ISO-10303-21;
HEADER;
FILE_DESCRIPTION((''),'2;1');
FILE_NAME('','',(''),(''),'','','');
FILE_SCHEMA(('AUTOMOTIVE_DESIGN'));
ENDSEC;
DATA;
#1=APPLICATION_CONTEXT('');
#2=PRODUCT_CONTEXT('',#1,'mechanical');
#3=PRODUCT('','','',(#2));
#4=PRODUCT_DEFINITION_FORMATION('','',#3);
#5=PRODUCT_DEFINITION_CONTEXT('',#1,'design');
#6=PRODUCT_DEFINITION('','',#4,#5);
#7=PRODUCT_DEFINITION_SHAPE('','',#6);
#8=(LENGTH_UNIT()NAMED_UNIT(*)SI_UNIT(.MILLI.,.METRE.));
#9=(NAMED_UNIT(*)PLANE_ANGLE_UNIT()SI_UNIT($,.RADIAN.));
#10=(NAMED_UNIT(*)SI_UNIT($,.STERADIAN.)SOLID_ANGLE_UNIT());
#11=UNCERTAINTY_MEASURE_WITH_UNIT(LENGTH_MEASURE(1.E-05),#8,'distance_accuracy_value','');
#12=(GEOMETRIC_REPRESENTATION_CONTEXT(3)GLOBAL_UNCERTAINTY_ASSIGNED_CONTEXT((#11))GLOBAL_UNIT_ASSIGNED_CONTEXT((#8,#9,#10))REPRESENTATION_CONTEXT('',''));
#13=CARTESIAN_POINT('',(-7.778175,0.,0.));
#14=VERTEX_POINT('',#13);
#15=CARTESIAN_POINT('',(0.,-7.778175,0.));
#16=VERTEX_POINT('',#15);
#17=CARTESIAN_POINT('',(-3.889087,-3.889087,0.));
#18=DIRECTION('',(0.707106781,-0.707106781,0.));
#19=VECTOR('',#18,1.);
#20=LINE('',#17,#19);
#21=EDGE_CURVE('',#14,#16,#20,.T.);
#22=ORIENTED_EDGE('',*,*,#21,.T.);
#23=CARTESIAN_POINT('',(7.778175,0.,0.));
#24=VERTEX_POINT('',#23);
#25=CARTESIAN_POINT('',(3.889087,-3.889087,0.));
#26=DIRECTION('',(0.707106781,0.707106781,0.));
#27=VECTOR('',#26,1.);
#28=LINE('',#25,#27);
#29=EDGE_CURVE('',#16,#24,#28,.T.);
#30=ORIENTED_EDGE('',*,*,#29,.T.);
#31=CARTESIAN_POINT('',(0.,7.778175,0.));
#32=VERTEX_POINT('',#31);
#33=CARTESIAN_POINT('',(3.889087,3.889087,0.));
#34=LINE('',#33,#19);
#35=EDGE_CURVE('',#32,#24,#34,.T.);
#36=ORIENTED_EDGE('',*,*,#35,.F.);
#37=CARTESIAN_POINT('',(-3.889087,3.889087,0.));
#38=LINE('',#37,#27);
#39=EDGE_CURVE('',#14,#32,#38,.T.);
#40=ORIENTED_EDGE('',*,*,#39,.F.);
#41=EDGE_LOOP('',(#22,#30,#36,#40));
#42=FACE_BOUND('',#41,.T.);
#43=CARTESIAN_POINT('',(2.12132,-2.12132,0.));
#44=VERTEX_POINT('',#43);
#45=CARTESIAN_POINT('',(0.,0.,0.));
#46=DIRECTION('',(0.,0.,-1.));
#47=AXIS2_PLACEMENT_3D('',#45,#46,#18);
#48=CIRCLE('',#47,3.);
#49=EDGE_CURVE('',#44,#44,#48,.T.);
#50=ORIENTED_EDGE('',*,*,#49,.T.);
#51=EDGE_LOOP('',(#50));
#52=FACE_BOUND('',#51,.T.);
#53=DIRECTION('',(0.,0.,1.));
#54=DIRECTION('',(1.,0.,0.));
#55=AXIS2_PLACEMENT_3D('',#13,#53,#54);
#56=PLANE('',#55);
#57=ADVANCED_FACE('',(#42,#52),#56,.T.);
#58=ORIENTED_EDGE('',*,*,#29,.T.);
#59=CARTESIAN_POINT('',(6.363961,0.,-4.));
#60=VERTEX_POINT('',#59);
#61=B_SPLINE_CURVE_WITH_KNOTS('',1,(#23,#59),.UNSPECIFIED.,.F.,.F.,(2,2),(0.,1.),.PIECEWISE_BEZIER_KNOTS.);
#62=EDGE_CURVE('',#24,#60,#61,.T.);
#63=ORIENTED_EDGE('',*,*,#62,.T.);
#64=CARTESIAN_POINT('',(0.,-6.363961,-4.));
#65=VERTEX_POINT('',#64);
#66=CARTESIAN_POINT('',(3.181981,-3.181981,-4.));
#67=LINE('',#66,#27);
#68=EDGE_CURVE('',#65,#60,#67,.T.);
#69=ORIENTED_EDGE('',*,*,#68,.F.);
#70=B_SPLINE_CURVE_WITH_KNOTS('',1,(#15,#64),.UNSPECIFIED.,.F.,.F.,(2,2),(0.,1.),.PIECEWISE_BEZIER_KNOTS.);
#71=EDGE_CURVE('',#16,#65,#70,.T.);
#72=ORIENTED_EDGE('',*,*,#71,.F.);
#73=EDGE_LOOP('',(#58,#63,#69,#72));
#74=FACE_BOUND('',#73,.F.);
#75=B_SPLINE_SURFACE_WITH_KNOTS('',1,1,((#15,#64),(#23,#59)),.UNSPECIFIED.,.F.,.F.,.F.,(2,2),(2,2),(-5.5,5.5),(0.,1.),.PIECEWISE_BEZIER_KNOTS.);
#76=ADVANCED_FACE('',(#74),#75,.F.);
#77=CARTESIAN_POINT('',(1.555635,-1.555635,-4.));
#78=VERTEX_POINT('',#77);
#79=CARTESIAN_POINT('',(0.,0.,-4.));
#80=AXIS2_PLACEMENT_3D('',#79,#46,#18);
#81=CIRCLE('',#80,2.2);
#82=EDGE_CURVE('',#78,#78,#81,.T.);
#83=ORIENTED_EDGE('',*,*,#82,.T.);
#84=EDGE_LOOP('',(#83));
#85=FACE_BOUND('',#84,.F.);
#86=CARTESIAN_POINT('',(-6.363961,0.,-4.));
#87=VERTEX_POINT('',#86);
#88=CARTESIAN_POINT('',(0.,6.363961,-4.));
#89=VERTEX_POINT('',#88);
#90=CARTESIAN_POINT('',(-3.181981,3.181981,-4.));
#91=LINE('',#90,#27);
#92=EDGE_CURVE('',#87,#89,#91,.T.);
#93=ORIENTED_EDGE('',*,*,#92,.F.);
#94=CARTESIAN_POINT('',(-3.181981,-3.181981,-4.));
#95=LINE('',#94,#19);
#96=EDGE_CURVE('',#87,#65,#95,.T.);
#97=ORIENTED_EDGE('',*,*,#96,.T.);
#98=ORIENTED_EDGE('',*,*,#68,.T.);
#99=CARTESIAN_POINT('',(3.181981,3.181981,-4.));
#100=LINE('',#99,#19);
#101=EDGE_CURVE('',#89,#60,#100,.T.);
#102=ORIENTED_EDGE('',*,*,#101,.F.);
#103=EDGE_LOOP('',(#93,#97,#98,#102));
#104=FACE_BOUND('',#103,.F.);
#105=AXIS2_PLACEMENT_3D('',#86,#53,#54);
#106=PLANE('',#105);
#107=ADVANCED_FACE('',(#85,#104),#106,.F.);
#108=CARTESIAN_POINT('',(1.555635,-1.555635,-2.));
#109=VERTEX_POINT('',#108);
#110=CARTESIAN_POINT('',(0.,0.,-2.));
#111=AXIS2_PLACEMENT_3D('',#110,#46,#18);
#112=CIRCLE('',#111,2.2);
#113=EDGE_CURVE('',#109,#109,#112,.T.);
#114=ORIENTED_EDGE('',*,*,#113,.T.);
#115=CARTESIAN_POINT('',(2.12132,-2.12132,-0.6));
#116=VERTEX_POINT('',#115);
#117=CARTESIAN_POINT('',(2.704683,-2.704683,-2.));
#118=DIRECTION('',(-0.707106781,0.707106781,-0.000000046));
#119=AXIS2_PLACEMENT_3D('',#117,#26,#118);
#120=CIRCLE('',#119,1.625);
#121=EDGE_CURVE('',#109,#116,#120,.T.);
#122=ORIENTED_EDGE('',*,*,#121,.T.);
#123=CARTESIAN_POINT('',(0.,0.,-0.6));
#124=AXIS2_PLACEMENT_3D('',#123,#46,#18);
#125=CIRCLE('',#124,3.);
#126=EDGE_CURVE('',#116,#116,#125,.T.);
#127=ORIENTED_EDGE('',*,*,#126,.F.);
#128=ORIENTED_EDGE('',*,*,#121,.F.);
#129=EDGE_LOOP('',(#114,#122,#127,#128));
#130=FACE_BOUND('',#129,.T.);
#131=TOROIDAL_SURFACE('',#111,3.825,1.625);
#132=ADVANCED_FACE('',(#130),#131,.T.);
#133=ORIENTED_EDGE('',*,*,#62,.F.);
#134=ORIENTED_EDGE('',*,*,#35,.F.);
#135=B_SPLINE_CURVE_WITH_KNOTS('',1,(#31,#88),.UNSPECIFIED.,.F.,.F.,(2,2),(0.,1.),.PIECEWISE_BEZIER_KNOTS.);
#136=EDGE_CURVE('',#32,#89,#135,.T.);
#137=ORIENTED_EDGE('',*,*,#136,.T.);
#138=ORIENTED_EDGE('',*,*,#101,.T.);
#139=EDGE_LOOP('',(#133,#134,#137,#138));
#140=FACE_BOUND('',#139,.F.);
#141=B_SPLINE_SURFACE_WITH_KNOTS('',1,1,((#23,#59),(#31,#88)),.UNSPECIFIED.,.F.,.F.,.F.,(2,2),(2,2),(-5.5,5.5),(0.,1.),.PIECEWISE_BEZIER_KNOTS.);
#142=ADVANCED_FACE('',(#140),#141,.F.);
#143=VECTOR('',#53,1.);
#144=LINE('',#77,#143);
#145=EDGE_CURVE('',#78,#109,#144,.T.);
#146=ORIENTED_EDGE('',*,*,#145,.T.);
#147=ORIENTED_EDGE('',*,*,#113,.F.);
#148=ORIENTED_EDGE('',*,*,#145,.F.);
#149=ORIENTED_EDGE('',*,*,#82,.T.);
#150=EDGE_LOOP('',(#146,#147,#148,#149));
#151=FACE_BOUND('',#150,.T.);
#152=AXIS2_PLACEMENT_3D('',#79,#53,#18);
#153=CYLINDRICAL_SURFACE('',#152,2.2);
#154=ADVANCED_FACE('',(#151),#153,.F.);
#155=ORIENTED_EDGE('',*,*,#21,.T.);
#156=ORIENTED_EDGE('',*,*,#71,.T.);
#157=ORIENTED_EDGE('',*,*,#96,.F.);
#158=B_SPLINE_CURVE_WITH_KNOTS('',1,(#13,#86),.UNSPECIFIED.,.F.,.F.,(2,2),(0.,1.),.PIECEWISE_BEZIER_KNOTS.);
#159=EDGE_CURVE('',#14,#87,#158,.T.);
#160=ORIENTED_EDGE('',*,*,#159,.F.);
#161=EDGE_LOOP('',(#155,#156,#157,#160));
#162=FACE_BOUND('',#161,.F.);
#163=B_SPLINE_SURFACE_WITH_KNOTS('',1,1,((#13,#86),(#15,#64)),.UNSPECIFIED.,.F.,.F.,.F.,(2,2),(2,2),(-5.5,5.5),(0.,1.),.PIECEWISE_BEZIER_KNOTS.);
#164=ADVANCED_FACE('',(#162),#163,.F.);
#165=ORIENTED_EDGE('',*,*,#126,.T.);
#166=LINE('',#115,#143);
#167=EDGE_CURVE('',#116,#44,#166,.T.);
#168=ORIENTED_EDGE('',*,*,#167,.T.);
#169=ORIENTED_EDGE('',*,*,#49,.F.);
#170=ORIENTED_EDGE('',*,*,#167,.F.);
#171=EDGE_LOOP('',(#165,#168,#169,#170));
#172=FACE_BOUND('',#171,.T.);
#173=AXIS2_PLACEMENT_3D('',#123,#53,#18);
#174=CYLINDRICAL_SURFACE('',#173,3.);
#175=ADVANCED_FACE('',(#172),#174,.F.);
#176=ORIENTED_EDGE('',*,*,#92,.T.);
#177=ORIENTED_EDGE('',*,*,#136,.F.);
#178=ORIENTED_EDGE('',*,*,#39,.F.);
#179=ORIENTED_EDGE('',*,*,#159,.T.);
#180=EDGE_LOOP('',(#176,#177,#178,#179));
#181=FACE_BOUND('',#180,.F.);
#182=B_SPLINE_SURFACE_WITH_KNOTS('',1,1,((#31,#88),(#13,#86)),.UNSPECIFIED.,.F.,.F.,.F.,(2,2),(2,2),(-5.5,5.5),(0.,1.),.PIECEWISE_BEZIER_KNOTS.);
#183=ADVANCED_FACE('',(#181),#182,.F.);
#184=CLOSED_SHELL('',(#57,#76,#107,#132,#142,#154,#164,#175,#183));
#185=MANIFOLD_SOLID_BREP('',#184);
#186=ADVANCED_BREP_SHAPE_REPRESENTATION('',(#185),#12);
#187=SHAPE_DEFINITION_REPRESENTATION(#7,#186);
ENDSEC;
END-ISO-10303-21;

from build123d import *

# Parameters (mm, degrees)
F0_W     = 11
F0_H     = 11
F2_W     = 9
F2_H     = 9
F6_ANGLE = 45


with BuildPart() as f3:
    # F0 (on Top) → F3 section 0
    with BuildSketch(Plane.XY):
        Rectangle(F0_W, F0_H)
    # F2 (on offset) → F3 section 1
    with BuildSketch(Plane.XY.offset(-4)):
        Rectangle(F2_W, F2_H)
    loft()

    # F4 (on Front) → F5 (revolve, cut)
    with BuildSketch(Plane.XZ):
        with BuildLine():
            Line((0, -4), (2.2, -4))
            Line((2.2, -4), (2.2, -2))
            ThreePointArc((2.2, -2), (2.414105, -1.193774), (3, -0.6))
            Line((3, -0.6), (3, 0))
            Line((3, 0), (0, 0))
            Line((0, 0), (0, -4))
        make_face()
    revolve(axis=Axis((0, 0, -1.994932), (0, 0, -1)), mode=Mode.SUBTRACT)


with BuildPart() as f3_1:
    # F6: moved
    add(f3.part.rotate(Axis((0, 0, -2), (0, 0, -1)), F6_ANGLE))


solid = f3_1.part
